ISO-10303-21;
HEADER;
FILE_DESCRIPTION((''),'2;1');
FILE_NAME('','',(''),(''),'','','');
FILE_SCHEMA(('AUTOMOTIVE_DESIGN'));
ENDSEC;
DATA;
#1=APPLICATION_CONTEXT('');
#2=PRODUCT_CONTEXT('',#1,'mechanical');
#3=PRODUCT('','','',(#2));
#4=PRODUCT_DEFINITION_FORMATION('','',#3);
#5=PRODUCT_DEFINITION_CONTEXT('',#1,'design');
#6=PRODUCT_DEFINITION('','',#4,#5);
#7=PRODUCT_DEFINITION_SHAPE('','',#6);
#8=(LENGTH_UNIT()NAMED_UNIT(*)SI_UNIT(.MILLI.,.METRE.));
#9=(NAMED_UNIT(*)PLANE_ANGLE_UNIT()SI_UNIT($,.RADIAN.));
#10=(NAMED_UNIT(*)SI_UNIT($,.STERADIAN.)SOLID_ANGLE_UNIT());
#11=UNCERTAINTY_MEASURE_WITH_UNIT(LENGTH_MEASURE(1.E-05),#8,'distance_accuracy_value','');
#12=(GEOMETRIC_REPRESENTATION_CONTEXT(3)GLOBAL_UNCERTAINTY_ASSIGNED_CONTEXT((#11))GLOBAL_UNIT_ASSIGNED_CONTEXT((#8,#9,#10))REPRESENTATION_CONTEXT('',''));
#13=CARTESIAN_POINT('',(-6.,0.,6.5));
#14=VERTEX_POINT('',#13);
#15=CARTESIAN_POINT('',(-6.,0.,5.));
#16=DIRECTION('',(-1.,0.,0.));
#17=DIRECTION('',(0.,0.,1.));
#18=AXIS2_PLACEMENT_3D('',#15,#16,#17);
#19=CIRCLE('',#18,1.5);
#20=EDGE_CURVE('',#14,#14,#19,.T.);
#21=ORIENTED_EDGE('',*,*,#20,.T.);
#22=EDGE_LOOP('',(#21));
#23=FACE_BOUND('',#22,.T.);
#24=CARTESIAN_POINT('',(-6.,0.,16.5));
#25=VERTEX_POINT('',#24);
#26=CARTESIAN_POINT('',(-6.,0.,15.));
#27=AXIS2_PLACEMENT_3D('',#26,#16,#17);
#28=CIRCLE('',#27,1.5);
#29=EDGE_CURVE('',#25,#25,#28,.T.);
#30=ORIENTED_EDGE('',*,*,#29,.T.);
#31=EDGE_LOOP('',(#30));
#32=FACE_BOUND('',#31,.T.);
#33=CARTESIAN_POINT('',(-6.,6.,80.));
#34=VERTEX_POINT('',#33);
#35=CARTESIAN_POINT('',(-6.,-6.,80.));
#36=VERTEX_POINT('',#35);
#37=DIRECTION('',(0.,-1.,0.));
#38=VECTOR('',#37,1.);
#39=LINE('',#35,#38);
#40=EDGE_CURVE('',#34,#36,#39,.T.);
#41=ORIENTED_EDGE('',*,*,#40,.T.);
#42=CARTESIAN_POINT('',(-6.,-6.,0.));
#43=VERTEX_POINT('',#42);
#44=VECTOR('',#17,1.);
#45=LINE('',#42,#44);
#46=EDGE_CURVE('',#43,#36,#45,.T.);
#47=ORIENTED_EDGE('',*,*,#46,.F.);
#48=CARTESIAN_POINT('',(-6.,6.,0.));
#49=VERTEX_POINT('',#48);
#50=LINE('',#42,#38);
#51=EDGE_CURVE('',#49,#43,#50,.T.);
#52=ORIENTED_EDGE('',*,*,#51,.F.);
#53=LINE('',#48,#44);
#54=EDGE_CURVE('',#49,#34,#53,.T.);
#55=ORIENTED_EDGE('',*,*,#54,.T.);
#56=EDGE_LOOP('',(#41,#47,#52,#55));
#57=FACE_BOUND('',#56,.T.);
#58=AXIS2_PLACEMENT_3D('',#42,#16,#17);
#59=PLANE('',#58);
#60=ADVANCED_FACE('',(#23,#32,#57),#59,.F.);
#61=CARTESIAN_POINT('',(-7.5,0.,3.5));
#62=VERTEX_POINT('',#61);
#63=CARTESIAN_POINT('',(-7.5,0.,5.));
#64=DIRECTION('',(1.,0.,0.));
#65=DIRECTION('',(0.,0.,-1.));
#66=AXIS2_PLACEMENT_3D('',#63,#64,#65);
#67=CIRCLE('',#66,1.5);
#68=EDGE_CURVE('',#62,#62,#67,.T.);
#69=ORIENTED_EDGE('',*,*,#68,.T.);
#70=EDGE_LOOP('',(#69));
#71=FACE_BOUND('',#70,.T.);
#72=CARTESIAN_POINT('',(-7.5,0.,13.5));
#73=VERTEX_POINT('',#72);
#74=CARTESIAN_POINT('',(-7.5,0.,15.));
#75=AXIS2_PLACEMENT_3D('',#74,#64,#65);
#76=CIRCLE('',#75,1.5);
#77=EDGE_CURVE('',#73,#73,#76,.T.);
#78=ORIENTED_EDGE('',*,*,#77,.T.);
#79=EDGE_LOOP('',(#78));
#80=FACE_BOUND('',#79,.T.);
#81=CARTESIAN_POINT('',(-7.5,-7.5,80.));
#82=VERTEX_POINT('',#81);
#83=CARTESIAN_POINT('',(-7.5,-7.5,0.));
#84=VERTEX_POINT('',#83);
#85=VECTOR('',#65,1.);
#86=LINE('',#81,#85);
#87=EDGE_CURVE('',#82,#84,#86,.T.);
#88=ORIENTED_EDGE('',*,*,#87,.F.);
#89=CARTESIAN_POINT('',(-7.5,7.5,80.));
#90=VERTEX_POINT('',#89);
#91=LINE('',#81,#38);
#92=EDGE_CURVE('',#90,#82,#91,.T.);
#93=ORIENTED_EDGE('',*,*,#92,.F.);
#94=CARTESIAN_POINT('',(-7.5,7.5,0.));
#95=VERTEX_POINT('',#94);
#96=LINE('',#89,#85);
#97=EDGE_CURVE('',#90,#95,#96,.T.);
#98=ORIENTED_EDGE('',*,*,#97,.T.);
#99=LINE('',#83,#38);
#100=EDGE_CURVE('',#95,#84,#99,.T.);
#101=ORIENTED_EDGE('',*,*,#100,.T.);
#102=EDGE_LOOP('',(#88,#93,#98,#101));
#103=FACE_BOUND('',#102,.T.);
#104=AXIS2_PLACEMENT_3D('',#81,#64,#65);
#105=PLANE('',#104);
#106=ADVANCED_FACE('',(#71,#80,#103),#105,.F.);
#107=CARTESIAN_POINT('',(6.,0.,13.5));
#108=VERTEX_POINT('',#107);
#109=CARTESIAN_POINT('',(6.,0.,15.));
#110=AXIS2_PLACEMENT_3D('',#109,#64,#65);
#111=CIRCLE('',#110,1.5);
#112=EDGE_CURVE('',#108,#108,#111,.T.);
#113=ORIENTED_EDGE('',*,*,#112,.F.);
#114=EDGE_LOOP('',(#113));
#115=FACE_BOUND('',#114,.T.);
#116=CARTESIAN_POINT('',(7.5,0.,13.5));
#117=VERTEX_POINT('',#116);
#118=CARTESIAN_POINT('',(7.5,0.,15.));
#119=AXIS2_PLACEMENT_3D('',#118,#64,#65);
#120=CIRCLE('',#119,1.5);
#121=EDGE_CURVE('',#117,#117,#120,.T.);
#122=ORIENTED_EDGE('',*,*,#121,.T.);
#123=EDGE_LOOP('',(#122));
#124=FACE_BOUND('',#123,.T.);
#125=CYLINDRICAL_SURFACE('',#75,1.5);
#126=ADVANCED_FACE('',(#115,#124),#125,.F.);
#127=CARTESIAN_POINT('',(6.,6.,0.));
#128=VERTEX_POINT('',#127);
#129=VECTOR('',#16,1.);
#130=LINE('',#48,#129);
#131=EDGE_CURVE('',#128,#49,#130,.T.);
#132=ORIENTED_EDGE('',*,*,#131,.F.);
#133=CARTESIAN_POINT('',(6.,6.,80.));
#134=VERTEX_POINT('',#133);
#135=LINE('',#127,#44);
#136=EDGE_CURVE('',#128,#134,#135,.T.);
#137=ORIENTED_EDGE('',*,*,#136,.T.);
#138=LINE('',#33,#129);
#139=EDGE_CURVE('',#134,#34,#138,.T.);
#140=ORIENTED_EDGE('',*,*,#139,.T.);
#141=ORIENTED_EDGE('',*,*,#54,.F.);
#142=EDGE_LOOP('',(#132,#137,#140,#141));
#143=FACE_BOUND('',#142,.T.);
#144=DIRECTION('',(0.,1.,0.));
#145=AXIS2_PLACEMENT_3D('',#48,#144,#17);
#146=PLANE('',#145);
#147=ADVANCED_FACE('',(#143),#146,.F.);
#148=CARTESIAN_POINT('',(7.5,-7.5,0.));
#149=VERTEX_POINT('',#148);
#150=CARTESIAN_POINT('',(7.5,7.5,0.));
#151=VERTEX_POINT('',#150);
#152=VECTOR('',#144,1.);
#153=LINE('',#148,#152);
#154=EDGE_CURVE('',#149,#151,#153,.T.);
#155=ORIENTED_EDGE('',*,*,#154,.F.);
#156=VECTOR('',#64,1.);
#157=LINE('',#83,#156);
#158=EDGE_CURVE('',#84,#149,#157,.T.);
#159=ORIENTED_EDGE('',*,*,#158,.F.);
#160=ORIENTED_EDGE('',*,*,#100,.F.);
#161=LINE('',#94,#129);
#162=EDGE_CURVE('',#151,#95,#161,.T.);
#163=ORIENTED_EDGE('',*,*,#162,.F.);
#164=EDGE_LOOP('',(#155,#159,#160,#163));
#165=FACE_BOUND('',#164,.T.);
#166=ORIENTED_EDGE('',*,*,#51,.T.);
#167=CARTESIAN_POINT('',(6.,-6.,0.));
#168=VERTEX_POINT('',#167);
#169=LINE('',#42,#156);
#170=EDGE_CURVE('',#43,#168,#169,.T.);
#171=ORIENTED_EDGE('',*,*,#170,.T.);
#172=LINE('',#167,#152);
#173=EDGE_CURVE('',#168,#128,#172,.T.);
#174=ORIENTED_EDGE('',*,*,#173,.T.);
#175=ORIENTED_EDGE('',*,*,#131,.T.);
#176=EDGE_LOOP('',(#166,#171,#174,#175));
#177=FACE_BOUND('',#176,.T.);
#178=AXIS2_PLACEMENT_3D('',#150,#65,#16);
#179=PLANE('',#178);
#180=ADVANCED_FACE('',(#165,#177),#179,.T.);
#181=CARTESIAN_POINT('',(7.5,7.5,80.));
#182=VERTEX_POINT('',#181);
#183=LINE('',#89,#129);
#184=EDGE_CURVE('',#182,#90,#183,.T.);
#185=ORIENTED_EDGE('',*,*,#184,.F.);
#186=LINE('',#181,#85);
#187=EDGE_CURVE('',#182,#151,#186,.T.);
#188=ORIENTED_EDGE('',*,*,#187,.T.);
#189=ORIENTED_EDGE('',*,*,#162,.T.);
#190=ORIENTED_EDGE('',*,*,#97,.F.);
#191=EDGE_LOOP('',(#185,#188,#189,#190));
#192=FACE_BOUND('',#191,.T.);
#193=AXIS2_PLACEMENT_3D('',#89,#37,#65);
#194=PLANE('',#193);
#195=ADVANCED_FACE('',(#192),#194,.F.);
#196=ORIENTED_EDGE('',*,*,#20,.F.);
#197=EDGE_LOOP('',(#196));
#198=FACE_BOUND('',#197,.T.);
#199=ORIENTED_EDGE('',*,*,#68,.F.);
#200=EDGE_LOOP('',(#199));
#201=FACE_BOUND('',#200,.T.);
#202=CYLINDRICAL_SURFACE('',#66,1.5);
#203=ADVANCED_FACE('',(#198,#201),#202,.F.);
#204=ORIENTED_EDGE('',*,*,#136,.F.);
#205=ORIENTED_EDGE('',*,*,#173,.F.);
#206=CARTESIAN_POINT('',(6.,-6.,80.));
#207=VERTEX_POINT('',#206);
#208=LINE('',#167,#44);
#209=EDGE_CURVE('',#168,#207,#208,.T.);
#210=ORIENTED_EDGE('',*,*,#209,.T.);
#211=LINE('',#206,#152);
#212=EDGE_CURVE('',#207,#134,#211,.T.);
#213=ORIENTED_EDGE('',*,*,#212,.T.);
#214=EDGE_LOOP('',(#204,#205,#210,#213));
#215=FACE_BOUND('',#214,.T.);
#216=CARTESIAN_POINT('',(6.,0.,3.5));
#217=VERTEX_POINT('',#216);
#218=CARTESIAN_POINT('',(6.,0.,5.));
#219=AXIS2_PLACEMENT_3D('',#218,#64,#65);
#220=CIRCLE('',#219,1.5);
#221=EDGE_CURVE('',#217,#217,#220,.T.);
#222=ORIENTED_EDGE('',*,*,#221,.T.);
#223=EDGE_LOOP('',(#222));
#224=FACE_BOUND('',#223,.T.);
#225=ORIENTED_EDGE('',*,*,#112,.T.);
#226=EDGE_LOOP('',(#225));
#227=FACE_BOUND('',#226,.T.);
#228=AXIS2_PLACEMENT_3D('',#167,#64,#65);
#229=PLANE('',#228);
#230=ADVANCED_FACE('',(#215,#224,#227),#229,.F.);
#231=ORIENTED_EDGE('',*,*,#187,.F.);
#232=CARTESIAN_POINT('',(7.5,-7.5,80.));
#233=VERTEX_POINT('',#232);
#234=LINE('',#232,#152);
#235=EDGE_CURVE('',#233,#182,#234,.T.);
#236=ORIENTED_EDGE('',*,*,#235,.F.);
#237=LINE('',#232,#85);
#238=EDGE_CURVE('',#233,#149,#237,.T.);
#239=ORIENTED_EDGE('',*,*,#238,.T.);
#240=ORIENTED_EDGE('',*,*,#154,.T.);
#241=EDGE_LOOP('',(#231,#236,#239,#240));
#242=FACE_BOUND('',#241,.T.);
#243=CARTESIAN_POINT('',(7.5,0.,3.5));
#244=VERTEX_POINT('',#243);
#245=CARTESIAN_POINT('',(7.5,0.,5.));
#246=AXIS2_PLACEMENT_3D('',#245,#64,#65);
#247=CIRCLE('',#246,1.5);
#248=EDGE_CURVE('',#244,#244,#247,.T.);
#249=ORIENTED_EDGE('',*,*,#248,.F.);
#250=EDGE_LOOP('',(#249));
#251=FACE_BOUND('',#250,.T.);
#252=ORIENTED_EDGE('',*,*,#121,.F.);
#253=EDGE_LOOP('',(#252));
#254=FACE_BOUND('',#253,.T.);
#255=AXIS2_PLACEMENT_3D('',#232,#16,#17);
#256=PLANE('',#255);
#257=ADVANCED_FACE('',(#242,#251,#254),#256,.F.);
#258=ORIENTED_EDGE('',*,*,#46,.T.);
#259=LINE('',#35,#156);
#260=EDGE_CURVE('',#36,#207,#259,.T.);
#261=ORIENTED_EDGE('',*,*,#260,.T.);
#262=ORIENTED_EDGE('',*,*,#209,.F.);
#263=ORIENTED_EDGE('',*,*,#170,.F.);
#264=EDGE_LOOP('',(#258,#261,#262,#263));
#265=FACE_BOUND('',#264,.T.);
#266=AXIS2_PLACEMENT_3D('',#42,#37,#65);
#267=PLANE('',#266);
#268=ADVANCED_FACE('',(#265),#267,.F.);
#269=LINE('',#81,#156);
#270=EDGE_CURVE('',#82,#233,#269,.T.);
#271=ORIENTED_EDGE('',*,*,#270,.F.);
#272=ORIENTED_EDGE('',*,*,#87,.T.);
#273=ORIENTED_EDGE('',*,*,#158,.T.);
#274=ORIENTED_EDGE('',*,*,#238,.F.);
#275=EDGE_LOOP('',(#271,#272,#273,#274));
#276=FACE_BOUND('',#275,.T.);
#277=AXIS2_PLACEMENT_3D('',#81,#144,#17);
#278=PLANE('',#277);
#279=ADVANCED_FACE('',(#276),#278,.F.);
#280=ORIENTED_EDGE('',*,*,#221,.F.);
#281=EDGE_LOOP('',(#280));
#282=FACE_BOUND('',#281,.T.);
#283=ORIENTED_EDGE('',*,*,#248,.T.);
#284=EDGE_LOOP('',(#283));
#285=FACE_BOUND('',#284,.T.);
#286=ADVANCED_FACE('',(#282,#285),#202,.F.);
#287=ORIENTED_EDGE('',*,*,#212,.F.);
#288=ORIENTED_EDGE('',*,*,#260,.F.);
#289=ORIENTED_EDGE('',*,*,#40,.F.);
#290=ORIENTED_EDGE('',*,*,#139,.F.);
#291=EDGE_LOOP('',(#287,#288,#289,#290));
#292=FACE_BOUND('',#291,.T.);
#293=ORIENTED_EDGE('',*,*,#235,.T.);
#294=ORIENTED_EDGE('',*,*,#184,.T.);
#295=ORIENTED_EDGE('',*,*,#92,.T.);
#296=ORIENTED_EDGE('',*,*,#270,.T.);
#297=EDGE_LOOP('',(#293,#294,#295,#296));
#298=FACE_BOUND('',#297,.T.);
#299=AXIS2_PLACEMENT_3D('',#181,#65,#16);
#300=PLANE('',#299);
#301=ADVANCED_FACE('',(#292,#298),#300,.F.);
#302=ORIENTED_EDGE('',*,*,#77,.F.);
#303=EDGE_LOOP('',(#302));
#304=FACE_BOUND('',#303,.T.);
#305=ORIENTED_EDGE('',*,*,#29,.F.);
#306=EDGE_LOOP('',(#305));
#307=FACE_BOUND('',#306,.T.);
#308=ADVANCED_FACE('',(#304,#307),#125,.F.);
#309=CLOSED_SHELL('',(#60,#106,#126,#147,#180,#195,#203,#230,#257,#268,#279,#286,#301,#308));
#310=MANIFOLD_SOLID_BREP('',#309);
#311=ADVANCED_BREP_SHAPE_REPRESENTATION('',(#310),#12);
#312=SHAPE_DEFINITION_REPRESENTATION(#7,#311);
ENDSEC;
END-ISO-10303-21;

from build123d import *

# Parameters (mm, degrees)
ESQUISSE1_W             = 15
ESQUISSE1_H             = 15
EXTRUSION1_DEPTH        = 80
ESQUISSE2_W             = 12
ESQUISSE2_H             = 12
EXTRUSION2_DEPTH        = 81.700061958
ESQUISSE3_R             = 1.5
ENL_V_MAT_EXTRU_1_DEPTH = 82.738913621


with BuildPart() as part:
    # Esquisse1 → Extrusion1 (new body)
    with BuildSketch(Plane.XY):
        Rectangle(ESQUISSE1_W, ESQUISSE1_H)
    extrude(amount=EXTRUSION1_DEPTH)

    # Esquisse2 → Extrusion2 (cut, through all)
    with BuildSketch(Plane.XY.offset(80)):
        Rectangle(ESQUISSE2_W, ESQUISSE2_H)
    extrude(amount=-EXTRUSION2_DEPTH, mode=Mode.SUBTRACT)

    # Esquisse3 → Enlèv. mat.-Extru.1 (cut, through all)
    with BuildSketch(Plane(origin=(7.5, 0, 0), x_dir=(0, 0, -1), z_dir=(1, 0, 0))):
        with Locations((-5, 0)):
            Circle(ESQUISSE3_R)
        with Locations((-15, 0)):
            Circle(ESQUISSE3_R)
    extrude(amount=-ENL_V_MAT_EXTRU_1_DEPTH, mode=Mode.SUBTRACT)


solid = part.part
